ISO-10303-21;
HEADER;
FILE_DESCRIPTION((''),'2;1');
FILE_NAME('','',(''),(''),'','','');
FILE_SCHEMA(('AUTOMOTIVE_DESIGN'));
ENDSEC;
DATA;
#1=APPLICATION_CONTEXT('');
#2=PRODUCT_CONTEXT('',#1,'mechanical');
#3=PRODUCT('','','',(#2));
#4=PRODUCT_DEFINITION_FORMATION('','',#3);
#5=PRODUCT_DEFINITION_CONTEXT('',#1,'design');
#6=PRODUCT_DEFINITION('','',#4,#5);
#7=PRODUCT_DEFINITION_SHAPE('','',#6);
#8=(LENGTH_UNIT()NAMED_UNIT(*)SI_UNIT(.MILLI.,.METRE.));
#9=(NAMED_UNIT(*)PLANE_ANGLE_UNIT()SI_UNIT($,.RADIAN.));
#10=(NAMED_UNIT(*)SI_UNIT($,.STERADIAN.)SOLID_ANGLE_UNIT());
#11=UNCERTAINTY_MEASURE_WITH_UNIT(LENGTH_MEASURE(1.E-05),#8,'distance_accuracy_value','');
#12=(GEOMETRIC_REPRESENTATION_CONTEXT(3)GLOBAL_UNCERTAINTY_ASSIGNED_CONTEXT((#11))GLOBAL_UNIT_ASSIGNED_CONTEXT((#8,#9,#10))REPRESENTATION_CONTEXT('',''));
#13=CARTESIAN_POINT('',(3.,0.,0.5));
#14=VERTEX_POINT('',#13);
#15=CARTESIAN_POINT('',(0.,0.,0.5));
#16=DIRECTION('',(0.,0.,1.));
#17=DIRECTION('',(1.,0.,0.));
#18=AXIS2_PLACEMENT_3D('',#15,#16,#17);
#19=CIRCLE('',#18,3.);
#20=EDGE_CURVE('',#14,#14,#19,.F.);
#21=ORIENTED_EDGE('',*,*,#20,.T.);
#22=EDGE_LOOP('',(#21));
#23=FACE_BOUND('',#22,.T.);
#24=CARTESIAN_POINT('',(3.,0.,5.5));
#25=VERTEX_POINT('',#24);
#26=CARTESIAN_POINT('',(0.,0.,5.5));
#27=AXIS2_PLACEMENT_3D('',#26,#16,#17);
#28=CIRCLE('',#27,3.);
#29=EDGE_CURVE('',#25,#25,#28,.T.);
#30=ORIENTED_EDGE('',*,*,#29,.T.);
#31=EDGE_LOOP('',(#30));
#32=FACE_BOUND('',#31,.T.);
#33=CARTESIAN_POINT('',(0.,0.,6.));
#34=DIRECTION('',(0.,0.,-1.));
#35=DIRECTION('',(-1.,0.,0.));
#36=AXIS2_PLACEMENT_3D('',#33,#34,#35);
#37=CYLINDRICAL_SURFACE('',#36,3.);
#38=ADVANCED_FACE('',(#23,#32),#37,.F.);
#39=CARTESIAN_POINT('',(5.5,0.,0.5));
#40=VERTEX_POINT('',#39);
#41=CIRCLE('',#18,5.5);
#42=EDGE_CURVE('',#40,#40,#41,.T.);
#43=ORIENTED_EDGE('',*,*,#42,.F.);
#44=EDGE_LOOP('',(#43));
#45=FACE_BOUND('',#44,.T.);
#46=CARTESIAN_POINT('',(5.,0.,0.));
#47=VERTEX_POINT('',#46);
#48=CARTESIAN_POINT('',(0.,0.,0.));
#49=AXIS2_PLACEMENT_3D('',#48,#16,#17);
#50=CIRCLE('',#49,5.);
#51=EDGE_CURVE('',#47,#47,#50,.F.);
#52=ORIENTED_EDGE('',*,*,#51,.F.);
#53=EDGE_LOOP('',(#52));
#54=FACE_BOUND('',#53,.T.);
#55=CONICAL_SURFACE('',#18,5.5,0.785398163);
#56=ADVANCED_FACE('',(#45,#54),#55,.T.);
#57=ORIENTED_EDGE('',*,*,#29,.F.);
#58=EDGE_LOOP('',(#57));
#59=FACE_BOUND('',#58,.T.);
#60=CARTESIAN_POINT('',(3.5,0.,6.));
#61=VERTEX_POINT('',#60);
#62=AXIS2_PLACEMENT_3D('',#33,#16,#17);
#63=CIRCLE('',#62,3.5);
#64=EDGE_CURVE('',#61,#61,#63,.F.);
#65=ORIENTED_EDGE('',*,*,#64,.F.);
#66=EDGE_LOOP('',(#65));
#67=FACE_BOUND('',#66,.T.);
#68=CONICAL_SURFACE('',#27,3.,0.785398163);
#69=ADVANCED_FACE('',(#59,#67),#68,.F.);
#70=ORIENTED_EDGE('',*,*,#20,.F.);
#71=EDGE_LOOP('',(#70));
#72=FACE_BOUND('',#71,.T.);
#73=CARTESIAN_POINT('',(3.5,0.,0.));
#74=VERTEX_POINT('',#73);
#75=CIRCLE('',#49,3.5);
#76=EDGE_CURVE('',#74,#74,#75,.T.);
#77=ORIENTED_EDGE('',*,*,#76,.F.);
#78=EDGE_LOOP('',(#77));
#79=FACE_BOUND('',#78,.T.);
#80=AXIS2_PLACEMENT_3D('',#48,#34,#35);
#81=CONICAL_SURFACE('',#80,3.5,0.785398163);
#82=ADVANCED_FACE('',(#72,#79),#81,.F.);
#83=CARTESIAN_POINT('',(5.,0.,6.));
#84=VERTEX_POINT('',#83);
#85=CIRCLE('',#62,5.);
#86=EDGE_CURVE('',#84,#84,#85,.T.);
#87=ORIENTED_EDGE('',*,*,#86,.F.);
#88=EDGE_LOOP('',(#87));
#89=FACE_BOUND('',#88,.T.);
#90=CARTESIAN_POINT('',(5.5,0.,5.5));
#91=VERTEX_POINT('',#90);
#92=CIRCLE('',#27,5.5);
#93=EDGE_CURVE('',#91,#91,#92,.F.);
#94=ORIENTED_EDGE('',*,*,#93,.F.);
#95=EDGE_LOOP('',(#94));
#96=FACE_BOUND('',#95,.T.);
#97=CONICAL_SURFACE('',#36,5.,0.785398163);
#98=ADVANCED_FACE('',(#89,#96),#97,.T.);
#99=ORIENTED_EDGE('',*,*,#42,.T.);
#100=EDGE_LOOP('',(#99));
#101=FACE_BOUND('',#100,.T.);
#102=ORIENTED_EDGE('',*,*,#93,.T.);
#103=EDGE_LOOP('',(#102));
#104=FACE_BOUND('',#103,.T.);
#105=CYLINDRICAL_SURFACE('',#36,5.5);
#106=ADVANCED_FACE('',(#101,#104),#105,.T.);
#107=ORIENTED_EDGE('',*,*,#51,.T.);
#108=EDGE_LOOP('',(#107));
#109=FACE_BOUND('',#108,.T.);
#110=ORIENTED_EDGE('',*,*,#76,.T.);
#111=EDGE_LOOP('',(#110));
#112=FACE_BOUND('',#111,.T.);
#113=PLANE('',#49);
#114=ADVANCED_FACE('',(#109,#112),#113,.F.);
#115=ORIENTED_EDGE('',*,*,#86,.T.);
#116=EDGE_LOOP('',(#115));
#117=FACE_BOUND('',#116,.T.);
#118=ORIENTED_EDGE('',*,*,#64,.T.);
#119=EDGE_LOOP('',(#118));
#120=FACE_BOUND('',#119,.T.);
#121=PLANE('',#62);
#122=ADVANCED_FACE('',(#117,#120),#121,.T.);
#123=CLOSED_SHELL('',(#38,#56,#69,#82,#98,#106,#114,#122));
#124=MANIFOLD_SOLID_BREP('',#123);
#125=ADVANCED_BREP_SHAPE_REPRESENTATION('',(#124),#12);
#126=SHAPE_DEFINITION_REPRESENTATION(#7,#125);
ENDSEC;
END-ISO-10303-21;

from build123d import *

# Parameters (mm, degrees)
SKICA1_R                = 5.5
SKICA1_R_2              = 3
P_IDAT_VYSUNUT_M1_DEPTH = 6
ZKOSEN_1_SIZE           = 0.5


with BuildPart() as part:
    # Skica1 → Přidat vysunutím1 (new body)
    with BuildSketch(Plane.XY):
        Circle(SKICA1_R)
        Circle(SKICA1_R_2, mode=Mode.SUBTRACT)
    extrude(amount=P_IDAT_VYSUNUT_M1_DEPTH)

    # Zkosení1
    zkosen_1_edges = [part.edges().sort_by_distance(p)[0] for p in [
        (-5.5, 0, 0),
        (-5.5, 0, 6),
        (-3, 0, 0),
        (-3, 0, 6),
    ]]
    chamfer(zkosen_1_edges, length=ZKOSEN_1_SIZE)


solid = part.part
